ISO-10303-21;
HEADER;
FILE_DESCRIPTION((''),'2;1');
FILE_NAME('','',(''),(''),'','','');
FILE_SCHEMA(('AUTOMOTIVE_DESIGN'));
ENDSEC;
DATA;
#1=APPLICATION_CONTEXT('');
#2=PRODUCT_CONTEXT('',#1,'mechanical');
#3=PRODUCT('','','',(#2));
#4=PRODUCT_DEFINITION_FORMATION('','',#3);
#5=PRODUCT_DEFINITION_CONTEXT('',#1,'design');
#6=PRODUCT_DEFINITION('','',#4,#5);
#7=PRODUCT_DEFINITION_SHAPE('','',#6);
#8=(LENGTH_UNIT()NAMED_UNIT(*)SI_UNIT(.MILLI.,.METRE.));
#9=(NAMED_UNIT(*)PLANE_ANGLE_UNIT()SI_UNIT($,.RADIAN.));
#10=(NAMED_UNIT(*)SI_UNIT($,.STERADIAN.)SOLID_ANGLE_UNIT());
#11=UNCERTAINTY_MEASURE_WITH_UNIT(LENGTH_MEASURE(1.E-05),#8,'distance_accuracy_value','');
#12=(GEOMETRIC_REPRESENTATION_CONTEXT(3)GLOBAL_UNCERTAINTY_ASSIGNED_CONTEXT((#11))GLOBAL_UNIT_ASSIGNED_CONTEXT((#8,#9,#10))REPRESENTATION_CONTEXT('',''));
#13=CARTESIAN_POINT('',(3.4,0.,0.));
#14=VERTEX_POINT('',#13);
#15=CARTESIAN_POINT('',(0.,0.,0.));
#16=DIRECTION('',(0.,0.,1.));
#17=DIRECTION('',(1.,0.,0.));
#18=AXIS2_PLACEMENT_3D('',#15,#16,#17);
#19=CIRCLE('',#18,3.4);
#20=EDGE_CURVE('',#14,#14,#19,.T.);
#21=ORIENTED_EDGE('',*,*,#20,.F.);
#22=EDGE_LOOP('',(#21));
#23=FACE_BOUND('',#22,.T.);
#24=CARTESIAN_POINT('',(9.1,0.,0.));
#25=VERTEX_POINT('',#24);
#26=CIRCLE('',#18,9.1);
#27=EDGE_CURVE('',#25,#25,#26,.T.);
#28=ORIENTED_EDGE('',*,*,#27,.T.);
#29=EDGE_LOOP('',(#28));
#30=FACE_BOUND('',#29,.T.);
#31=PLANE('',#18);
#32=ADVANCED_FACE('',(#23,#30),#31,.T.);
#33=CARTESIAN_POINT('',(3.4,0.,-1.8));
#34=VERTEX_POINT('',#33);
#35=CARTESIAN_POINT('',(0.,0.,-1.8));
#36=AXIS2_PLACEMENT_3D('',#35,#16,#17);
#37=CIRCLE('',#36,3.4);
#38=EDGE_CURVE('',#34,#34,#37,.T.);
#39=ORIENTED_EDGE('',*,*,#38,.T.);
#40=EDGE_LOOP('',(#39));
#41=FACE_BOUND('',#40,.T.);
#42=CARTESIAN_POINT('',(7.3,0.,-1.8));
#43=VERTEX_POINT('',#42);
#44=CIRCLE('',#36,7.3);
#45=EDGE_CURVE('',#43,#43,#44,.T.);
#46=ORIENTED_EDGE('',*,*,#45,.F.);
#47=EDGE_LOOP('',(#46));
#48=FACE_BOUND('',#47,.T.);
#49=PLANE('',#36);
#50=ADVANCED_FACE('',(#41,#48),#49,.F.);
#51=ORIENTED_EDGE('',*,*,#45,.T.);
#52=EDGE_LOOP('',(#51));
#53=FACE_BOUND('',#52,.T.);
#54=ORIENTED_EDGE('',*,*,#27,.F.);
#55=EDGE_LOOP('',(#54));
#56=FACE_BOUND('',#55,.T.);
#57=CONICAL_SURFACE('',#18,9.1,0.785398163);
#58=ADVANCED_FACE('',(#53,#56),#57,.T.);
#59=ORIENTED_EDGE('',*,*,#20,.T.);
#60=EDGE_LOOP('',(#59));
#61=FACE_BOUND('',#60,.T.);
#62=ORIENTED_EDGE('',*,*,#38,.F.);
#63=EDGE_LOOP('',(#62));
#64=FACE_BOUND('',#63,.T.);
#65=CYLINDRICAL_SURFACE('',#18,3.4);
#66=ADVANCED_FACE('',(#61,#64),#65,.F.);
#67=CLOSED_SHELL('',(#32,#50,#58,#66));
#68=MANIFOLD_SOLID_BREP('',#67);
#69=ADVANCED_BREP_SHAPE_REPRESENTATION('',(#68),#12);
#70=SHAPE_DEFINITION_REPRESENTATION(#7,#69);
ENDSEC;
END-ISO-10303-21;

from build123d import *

# Parameters (mm, degrees)
SKETCH1_W = 3.9
SKETCH1_H = 1.8


with BuildPart() as part:
    # Sketch1 → Revolve1 (revolve)
    with BuildSketch(Plane(origin=(0, 0, 0), x_dir=(1, 0, 0), z_dir=(0, 1, 0))):
        with Locations((5.35, 0.9)):
            Rectangle(SKETCH1_W, SKETCH1_H)
        Polygon((7.3, 0), (9.1, 0), (7.3, 1.8), align=None)
    revolve(axis=Axis((0, 0, 0), (0, 0, -1)))


solid = part.part
